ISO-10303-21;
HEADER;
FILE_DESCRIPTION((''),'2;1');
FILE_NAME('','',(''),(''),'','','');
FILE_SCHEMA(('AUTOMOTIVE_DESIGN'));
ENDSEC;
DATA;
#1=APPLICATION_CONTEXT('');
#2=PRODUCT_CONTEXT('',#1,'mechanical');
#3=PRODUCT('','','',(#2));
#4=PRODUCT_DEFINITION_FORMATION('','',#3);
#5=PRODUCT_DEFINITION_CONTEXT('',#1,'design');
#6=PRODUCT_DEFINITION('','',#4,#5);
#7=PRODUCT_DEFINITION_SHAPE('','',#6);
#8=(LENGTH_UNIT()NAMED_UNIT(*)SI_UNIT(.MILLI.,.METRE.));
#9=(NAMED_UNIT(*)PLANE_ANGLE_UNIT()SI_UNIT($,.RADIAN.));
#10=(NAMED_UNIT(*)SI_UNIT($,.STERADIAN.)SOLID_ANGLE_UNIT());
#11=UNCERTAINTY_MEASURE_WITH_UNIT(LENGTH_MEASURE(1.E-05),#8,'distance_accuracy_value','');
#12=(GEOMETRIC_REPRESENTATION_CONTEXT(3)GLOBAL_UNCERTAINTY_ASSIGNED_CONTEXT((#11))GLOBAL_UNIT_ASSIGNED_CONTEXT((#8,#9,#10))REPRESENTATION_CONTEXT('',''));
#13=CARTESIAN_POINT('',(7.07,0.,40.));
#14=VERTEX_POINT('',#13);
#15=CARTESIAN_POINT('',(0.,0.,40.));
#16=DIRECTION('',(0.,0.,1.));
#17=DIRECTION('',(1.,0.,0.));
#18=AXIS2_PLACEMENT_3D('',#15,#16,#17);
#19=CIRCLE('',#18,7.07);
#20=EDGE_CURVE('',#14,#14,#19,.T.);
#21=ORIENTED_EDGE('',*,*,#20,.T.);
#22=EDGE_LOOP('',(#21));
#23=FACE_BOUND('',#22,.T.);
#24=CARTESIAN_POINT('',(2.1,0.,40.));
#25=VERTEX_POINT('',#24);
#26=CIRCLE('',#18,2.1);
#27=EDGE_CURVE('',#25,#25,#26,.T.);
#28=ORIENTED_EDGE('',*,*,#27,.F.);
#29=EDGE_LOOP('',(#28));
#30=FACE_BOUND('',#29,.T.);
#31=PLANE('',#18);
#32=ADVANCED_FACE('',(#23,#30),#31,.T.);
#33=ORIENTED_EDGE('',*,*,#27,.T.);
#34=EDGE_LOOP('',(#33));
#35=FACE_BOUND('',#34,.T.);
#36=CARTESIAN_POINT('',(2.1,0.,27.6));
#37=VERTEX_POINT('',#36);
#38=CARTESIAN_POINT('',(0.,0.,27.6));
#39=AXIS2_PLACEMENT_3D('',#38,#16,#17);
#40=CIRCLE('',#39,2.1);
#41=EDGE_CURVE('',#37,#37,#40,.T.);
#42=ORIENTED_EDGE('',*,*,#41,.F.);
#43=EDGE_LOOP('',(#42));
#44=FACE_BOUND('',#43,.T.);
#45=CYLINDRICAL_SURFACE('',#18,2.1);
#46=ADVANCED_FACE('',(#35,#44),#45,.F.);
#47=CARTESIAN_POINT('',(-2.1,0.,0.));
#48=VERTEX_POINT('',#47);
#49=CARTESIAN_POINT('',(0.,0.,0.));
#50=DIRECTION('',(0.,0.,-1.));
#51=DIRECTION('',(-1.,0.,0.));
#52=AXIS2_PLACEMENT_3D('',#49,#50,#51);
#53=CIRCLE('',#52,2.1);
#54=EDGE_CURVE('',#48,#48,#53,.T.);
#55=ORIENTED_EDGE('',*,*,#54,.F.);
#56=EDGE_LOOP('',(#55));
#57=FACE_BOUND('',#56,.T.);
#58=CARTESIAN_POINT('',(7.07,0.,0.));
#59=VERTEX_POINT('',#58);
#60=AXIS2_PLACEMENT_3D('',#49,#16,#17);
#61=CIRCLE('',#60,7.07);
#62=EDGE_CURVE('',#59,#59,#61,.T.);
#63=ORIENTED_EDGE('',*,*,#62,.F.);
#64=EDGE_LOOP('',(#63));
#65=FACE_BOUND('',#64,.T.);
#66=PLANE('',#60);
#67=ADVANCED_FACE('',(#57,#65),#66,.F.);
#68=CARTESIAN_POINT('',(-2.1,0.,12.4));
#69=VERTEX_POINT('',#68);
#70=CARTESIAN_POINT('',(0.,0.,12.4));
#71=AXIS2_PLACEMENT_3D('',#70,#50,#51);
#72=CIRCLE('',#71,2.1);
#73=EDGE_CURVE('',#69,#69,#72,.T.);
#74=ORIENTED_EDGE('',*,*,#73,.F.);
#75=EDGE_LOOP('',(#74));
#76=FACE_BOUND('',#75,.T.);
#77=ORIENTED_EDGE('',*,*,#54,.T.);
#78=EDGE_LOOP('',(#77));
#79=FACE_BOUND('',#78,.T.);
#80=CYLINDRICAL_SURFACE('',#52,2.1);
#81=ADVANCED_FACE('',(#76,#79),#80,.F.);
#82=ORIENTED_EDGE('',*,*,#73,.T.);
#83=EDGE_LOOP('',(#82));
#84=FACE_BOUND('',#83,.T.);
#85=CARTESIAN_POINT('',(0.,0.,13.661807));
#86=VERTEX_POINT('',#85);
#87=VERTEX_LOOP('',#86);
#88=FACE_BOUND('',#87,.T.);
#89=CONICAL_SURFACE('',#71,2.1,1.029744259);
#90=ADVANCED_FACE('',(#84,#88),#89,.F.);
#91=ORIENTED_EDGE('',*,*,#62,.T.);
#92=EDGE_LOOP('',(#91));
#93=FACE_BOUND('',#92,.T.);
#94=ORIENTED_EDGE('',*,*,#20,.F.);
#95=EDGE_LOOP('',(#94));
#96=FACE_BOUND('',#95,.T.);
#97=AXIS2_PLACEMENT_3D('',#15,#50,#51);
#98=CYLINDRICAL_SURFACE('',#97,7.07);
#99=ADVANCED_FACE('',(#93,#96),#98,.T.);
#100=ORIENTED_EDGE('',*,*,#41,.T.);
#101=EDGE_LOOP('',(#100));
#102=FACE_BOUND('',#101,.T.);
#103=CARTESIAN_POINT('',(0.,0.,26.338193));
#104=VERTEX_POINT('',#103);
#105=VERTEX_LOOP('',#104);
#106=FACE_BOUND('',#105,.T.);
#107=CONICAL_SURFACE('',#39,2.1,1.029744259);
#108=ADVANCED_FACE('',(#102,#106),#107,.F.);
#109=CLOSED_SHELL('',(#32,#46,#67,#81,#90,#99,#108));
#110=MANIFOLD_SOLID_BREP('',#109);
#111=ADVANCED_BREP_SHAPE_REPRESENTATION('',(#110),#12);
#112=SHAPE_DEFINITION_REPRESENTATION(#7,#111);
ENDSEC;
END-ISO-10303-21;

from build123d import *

# Parameters (mm, degrees)
SKETCH1_R                 = 7.07
BOSS_EXTRUDE1_DEPTH       = 40
M5X0_8_TAPPED_HOLE1_D     = 4.2
M5X0_8_TAPPED_HOLE1_DEPTH = 12.4
M5X0_8_TAPPED_HOLE1_TIP   = 1.2618073
M5X0_8_TAPPED_HOLE3_D     = 4.2
M5X0_8_TAPPED_HOLE3_DEPTH = 12.4
M5X0_8_TAPPED_HOLE3_TIP   = 1.2618073


with BuildPart() as part:
    # Sketch1 → Boss-Extrude1 (new body)
    with BuildSketch(Plane(origin=(0, 0, 0), x_dir=(0, 1, 0), z_dir=(0, 0, 1))):
        with Locations(Location((0, 0, 0), (0, 0, 270))):
            Circle(SKETCH1_R)
    extrude(amount=BOSS_EXTRUDE1_DEPTH)

    # M5x0.8 Tapped Hole1
    with Locations(Plane.XY.offset(40)):
        with Locations((0, 0)):
            Hole(M5X0_8_TAPPED_HOLE1_D / 2, depth=M5X0_8_TAPPED_HOLE1_DEPTH)
            with Locations((0, 0, -(M5X0_8_TAPPED_HOLE1_DEPTH + M5X0_8_TAPPED_HOLE1_TIP / 2))):  # 118° drill point
                Cone(0, M5X0_8_TAPPED_HOLE1_D / 2, M5X0_8_TAPPED_HOLE1_TIP, mode=Mode.SUBTRACT)

    # M5x0.8 Tapped Hole3
    with Locations(Plane(origin=(0, 0, 0), x_dir=(-1, 0, 0), z_dir=(0, 0, -1))):
        with Locations((0, 0)):
            Hole(M5X0_8_TAPPED_HOLE3_D / 2, depth=M5X0_8_TAPPED_HOLE3_DEPTH)
            with Locations((0, 0, -(M5X0_8_TAPPED_HOLE3_DEPTH + M5X0_8_TAPPED_HOLE3_TIP / 2))):  # 118° drill point
                Cone(0, M5X0_8_TAPPED_HOLE3_D / 2, M5X0_8_TAPPED_HOLE3_TIP, mode=Mode.SUBTRACT)


solid = part.part
